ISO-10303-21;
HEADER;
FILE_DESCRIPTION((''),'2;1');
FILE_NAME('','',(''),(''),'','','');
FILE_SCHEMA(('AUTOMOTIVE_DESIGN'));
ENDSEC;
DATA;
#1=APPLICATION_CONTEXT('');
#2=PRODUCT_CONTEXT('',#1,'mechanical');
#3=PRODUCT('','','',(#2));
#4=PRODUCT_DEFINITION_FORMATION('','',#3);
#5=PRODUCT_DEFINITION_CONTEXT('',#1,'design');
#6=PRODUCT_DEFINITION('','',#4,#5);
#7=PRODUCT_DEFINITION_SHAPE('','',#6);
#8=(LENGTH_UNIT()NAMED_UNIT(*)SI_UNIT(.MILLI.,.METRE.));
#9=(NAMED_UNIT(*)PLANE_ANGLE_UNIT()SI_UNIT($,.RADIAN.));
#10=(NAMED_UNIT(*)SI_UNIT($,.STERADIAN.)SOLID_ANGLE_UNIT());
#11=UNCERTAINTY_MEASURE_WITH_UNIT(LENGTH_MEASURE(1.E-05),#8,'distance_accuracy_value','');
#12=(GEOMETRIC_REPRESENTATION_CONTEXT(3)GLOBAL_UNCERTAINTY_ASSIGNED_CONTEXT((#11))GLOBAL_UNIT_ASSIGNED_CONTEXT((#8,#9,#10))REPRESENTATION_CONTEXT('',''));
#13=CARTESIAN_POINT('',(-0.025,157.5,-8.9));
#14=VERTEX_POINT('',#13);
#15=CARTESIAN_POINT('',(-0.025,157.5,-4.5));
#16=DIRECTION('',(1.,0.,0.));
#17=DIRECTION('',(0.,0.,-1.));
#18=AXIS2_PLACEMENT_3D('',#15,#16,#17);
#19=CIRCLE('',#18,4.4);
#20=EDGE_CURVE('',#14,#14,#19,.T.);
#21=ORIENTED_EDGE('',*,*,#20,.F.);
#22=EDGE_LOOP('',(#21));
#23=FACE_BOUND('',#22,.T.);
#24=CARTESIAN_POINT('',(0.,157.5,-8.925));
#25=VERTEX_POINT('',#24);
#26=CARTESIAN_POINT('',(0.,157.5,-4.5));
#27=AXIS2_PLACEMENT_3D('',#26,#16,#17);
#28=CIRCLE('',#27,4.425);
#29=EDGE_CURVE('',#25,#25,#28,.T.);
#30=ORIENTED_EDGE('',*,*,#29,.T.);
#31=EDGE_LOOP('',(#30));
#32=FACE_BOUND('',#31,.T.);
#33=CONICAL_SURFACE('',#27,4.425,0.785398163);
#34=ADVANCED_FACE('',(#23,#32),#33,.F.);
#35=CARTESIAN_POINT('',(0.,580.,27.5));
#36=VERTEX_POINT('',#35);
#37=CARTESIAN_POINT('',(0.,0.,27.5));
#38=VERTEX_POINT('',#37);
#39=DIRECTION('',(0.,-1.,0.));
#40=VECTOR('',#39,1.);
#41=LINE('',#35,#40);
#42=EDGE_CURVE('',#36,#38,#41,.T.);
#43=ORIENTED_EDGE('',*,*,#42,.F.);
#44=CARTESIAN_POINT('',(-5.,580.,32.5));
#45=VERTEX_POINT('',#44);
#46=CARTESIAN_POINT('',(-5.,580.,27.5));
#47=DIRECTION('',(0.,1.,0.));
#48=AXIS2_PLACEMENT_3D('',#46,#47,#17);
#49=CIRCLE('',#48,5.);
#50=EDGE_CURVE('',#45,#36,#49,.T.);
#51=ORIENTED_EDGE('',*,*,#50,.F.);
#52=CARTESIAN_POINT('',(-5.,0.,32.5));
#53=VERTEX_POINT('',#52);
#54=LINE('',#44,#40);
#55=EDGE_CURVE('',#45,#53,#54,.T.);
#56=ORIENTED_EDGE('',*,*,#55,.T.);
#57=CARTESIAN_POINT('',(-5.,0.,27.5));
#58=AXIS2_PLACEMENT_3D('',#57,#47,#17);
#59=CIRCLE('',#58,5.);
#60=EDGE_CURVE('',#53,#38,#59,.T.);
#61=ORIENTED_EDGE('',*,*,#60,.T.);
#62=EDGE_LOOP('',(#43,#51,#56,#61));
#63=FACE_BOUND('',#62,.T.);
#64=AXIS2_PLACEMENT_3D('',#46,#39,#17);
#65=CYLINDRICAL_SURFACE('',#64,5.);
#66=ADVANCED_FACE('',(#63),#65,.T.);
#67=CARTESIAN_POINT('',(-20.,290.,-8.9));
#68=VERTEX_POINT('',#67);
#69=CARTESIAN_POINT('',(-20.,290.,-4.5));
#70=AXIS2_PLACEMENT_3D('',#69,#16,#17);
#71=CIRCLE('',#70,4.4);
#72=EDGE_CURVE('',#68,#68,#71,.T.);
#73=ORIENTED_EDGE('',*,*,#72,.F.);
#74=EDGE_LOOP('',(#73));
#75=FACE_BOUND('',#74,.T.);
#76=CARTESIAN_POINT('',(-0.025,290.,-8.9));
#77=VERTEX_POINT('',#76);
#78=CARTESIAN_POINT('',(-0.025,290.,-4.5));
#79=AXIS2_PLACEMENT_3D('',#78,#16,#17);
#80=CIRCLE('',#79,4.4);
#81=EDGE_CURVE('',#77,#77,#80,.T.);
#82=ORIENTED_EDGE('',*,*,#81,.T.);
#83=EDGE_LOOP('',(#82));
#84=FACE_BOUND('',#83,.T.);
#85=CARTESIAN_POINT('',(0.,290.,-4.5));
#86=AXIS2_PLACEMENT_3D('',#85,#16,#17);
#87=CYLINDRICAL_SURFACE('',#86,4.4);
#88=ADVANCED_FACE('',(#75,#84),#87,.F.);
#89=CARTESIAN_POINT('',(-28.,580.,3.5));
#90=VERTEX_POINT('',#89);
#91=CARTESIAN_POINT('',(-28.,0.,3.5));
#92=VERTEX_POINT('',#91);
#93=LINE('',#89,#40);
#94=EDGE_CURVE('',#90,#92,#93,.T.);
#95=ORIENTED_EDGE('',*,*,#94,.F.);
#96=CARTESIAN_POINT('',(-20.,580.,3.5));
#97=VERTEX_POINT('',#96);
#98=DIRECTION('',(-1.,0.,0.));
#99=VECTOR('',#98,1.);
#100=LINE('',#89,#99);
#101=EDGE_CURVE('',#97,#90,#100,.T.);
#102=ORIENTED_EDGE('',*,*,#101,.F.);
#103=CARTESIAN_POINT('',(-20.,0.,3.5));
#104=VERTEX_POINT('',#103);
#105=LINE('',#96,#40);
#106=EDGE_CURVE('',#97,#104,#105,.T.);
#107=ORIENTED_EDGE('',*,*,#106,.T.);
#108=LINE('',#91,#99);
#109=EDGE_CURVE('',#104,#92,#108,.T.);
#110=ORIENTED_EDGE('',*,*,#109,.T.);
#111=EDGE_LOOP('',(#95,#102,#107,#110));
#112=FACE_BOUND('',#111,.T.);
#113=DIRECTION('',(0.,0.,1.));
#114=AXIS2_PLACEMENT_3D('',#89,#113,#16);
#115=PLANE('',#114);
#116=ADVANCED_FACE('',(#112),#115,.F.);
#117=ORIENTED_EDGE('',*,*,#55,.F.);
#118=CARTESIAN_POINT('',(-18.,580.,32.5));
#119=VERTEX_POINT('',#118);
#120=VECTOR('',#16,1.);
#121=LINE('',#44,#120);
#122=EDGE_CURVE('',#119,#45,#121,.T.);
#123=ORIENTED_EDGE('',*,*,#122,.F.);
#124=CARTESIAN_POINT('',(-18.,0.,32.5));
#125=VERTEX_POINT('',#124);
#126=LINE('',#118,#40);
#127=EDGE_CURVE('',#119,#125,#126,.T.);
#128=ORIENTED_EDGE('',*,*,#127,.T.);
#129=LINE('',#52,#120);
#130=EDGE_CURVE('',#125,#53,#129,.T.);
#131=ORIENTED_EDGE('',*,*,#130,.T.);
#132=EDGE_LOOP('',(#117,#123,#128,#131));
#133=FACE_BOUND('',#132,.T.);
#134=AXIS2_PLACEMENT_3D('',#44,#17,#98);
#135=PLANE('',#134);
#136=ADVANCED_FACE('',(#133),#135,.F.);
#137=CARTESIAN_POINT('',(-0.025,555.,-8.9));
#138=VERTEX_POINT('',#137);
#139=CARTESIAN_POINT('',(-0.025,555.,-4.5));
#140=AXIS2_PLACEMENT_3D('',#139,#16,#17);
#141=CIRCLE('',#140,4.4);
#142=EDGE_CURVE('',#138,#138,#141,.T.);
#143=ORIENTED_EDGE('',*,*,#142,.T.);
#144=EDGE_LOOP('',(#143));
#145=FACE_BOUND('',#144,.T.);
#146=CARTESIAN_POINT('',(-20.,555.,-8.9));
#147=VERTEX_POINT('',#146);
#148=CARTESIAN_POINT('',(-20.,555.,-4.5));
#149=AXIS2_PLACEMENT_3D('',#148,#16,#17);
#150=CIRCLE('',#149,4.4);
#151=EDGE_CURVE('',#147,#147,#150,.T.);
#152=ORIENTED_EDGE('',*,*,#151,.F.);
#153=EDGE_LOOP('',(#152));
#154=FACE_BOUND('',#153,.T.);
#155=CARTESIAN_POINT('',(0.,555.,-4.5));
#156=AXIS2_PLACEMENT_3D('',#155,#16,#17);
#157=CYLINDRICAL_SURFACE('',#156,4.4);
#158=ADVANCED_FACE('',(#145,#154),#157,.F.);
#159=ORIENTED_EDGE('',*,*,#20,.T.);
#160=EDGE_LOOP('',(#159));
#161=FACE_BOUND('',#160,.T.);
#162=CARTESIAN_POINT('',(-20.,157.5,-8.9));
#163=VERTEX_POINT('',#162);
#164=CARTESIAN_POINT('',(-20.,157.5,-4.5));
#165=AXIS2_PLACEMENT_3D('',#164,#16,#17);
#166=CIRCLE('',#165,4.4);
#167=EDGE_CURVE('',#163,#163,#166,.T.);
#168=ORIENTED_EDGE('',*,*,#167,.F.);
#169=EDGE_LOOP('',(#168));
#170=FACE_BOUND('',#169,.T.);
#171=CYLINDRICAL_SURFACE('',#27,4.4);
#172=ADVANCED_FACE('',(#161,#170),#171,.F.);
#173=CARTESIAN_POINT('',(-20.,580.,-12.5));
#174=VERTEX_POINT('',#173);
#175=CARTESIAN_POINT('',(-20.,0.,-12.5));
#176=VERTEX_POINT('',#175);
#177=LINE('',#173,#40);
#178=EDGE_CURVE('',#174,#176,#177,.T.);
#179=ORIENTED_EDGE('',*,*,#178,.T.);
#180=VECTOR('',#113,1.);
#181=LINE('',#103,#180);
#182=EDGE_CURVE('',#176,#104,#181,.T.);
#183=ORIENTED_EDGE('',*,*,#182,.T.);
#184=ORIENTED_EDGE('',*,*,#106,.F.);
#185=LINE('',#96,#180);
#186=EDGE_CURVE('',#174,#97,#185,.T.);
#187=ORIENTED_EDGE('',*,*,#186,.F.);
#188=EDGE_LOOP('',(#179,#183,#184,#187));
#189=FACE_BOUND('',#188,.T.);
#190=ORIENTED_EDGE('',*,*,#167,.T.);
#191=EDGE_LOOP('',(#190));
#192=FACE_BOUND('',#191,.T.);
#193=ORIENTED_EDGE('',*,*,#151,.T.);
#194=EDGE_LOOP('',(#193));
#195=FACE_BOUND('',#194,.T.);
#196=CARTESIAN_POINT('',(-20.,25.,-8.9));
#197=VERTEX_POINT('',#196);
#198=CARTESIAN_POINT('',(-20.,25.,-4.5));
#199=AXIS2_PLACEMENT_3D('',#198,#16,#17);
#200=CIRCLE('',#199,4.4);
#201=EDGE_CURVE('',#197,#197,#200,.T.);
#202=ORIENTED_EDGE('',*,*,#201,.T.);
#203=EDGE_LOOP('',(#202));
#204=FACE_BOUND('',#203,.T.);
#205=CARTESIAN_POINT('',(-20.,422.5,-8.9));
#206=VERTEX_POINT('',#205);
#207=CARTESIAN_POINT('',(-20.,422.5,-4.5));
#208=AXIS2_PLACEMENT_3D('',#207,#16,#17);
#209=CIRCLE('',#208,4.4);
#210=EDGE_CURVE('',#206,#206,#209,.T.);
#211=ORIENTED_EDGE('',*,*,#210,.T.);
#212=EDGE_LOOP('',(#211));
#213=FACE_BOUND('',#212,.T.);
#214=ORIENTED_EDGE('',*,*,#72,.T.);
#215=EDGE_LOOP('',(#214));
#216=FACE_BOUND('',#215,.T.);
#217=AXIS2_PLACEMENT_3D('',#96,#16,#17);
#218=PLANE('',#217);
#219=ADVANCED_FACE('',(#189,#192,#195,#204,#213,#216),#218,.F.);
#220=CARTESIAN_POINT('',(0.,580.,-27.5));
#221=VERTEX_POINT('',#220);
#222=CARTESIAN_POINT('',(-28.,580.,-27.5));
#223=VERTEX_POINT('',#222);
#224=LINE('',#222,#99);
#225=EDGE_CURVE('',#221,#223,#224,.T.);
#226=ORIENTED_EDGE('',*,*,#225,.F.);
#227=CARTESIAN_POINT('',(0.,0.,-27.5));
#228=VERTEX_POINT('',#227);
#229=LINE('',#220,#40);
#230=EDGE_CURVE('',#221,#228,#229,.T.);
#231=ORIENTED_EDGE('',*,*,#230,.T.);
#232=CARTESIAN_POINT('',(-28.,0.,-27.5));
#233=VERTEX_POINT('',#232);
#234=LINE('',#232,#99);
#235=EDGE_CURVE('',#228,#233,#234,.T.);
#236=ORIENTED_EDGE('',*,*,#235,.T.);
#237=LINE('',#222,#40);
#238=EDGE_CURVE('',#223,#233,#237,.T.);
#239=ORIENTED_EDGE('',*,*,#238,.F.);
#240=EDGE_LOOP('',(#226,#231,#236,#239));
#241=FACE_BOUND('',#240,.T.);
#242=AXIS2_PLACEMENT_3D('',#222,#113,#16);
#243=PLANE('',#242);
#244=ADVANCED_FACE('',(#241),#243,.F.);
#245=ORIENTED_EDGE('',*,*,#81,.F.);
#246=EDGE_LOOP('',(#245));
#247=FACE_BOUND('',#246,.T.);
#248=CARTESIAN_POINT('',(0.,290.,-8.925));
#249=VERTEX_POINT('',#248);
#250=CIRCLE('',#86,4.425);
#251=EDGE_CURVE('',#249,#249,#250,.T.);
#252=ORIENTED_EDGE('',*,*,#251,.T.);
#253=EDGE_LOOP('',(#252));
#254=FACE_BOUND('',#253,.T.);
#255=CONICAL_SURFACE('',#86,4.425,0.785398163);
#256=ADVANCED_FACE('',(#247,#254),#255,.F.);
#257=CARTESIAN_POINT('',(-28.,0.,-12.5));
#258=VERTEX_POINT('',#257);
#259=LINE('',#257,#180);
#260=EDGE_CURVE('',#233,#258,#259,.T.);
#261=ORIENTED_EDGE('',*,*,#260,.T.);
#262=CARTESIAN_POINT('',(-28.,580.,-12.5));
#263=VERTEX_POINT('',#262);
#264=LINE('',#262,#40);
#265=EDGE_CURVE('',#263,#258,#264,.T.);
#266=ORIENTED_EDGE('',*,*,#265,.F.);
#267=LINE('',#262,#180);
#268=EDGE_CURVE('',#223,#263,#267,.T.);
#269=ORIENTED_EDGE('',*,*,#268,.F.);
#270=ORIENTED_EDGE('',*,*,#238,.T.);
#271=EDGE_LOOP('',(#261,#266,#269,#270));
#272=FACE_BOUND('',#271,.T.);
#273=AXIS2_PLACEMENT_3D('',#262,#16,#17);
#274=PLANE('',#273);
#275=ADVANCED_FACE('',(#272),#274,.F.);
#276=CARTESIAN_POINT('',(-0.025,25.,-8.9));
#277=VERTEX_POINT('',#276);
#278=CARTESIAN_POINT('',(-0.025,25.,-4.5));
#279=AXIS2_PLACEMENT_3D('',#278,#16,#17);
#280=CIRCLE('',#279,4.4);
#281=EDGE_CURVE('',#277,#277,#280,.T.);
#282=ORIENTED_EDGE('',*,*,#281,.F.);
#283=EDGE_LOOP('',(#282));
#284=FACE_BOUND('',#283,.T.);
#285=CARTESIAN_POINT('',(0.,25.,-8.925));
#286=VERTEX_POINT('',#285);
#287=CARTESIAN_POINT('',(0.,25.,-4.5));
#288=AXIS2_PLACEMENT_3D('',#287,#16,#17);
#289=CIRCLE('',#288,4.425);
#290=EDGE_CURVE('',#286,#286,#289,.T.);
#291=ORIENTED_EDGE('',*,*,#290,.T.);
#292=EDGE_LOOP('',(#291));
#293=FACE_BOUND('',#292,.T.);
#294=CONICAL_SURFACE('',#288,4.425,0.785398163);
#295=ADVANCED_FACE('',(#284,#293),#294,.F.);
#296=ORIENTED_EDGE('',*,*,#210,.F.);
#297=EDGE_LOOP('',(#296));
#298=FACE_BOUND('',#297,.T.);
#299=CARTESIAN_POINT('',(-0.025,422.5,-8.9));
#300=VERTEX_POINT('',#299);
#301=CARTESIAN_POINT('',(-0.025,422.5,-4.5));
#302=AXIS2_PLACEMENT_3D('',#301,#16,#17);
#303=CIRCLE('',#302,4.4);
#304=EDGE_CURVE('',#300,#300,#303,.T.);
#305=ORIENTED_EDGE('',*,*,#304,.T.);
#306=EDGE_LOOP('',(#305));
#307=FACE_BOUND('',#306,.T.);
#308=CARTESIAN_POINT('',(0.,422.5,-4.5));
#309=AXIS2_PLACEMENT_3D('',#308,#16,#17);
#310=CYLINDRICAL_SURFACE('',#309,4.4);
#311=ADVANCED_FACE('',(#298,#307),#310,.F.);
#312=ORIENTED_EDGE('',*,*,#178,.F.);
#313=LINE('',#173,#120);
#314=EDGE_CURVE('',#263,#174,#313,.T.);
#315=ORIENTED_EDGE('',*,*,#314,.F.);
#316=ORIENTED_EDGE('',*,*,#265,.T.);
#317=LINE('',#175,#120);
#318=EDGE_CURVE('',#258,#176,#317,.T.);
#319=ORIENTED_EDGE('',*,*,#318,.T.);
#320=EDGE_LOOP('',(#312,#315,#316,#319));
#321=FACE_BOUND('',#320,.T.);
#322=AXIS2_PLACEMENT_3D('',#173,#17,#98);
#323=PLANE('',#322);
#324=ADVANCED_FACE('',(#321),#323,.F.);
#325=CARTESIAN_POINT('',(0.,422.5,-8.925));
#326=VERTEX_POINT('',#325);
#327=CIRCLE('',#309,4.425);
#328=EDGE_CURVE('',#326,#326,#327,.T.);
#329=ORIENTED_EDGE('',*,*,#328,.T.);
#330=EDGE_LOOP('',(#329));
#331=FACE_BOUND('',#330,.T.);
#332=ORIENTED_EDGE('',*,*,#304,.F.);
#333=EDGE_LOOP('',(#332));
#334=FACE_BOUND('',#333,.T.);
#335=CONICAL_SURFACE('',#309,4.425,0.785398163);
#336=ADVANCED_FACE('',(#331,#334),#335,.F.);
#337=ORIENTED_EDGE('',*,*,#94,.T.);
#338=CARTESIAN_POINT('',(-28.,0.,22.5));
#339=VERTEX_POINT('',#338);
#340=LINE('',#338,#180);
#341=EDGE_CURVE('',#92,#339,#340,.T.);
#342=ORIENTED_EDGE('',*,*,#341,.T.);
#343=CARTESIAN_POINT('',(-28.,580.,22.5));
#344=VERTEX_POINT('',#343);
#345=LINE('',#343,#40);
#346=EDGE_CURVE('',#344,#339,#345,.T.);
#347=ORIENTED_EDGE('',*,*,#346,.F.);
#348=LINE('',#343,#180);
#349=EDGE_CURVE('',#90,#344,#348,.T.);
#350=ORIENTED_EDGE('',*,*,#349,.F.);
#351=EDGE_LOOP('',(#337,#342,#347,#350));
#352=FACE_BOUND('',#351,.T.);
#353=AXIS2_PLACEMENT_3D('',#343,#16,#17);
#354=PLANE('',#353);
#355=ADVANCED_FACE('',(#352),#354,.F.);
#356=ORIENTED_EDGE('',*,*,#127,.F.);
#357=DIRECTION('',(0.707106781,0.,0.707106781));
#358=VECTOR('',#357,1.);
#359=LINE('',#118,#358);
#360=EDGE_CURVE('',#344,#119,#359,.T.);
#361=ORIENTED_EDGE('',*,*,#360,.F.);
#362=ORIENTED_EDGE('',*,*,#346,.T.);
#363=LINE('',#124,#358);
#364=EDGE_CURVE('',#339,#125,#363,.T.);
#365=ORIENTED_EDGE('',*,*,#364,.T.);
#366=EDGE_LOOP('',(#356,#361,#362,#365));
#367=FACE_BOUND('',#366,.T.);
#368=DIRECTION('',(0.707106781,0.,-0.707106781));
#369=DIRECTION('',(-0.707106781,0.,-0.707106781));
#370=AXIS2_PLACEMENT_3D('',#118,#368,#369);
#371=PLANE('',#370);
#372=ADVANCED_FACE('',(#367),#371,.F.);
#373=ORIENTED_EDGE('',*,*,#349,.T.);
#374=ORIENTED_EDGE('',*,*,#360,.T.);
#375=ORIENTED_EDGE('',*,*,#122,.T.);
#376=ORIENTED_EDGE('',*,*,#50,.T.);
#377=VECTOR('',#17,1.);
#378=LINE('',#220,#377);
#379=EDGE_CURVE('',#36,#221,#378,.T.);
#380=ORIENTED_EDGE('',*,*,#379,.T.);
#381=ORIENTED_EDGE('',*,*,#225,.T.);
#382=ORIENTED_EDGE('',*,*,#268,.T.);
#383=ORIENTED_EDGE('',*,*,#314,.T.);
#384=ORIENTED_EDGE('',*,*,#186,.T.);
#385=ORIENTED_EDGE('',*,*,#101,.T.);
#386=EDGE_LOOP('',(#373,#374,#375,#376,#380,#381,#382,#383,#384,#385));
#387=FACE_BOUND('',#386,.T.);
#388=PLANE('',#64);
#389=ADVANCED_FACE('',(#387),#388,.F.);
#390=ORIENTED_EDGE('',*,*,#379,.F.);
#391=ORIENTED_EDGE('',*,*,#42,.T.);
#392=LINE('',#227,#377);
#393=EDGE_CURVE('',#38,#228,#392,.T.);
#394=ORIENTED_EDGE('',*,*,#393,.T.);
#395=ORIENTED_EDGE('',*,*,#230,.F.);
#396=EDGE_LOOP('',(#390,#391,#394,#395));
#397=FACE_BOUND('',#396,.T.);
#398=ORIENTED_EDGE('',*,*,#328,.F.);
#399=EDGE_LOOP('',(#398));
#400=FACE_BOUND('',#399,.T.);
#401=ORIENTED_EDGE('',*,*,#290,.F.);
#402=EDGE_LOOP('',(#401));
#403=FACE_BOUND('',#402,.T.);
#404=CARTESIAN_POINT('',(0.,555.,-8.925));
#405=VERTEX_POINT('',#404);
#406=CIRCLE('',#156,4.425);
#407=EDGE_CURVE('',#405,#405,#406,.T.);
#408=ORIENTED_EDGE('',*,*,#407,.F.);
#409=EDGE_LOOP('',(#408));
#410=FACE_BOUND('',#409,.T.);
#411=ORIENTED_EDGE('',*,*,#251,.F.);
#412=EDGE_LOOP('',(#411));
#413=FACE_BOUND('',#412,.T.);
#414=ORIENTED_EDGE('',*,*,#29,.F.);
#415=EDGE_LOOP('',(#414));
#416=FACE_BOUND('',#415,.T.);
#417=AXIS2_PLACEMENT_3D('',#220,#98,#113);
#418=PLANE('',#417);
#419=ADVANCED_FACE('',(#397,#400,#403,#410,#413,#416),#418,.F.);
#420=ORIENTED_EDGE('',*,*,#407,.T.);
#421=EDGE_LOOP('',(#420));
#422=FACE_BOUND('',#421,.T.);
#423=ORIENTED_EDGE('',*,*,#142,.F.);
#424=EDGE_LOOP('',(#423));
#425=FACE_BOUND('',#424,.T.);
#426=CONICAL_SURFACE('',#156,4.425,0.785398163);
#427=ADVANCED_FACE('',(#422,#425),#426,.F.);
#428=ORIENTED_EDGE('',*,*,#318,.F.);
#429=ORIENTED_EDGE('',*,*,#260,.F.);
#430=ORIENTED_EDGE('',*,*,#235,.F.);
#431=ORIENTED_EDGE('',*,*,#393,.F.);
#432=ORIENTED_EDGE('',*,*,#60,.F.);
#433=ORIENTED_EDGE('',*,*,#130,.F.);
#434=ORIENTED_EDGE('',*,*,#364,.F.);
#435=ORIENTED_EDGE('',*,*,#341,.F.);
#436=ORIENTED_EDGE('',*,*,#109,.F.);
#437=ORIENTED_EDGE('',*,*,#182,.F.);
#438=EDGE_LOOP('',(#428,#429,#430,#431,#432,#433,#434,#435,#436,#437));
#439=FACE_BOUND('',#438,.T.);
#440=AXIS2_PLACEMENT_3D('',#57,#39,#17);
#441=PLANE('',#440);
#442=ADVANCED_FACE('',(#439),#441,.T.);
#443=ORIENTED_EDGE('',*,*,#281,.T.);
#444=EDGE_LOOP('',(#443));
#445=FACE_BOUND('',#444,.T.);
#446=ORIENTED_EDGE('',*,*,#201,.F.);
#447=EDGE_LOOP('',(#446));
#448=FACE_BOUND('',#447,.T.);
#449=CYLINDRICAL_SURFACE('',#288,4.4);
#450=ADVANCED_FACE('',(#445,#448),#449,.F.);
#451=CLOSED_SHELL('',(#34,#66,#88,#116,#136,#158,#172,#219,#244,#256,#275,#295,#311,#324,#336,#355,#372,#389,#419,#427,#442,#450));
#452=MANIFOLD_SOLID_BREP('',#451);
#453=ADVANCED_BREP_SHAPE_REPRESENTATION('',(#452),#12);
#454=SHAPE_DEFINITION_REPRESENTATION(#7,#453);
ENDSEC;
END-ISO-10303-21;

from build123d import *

# Parameters (mm, degrees)
BOSS_EXTRUDE1_DEPTH                     = 580
TAP_DRILL_FOR_M10X1_25_TAP1_D           = 8.8
TAP_DRILL_FOR_M10X1_25_TAP1_CSINK_D     = 8.85
TAP_DRILL_FOR_M10X1_25_TAP1_CSINK_ANGLE = 90


with BuildPart() as part:
    # Sketch1 → Boss-Extrude1 (new body)
    with BuildSketch(Plane(origin=(0, 0, 0), x_dir=(1, 0, 0), z_dir=(0, 1, 0))):
        with BuildLine():
            Line((-28, 27.5), (0, 27.5))
            Line((0, 27.5), (0, -27.5))
            ThreePointArc((0, -27.5), (-1.464466094, -31.035533906), (-5, -32.5))
            Line((-5, -32.5), (-18, -32.5))
            Line((-18, -32.5), (-28, -22.5))
            Line((-28, -22.5), (-28, -3.5))
            Line((-28, -3.5), (-20, -3.5))
            Line((-20, -3.5), (-20, 12.5))
            Line((-20, 12.5), (-28, 12.5))
            Line((-28, 12.5), (-28, 27.5))
        make_face()
    extrude(amount=BOSS_EXTRUDE1_DEPTH)

    # Tap Drill for M10x1.25 Tap1 (through all)
    with Locations(Plane(origin=(0, 25, -4.5), x_dir=(0, 0, 1), z_dir=(1, 0, 0))):
        with Locations((0, 0), (0, -132.5), (0, -265), (0, -397.5), (0, -530)):
            CounterSinkHole(TAP_DRILL_FOR_M10X1_25_TAP1_D / 2, TAP_DRILL_FOR_M10X1_25_TAP1_CSINK_D / 2, counter_sink_angle=TAP_DRILL_FOR_M10X1_25_TAP1_CSINK_ANGLE)


solid = part.part
